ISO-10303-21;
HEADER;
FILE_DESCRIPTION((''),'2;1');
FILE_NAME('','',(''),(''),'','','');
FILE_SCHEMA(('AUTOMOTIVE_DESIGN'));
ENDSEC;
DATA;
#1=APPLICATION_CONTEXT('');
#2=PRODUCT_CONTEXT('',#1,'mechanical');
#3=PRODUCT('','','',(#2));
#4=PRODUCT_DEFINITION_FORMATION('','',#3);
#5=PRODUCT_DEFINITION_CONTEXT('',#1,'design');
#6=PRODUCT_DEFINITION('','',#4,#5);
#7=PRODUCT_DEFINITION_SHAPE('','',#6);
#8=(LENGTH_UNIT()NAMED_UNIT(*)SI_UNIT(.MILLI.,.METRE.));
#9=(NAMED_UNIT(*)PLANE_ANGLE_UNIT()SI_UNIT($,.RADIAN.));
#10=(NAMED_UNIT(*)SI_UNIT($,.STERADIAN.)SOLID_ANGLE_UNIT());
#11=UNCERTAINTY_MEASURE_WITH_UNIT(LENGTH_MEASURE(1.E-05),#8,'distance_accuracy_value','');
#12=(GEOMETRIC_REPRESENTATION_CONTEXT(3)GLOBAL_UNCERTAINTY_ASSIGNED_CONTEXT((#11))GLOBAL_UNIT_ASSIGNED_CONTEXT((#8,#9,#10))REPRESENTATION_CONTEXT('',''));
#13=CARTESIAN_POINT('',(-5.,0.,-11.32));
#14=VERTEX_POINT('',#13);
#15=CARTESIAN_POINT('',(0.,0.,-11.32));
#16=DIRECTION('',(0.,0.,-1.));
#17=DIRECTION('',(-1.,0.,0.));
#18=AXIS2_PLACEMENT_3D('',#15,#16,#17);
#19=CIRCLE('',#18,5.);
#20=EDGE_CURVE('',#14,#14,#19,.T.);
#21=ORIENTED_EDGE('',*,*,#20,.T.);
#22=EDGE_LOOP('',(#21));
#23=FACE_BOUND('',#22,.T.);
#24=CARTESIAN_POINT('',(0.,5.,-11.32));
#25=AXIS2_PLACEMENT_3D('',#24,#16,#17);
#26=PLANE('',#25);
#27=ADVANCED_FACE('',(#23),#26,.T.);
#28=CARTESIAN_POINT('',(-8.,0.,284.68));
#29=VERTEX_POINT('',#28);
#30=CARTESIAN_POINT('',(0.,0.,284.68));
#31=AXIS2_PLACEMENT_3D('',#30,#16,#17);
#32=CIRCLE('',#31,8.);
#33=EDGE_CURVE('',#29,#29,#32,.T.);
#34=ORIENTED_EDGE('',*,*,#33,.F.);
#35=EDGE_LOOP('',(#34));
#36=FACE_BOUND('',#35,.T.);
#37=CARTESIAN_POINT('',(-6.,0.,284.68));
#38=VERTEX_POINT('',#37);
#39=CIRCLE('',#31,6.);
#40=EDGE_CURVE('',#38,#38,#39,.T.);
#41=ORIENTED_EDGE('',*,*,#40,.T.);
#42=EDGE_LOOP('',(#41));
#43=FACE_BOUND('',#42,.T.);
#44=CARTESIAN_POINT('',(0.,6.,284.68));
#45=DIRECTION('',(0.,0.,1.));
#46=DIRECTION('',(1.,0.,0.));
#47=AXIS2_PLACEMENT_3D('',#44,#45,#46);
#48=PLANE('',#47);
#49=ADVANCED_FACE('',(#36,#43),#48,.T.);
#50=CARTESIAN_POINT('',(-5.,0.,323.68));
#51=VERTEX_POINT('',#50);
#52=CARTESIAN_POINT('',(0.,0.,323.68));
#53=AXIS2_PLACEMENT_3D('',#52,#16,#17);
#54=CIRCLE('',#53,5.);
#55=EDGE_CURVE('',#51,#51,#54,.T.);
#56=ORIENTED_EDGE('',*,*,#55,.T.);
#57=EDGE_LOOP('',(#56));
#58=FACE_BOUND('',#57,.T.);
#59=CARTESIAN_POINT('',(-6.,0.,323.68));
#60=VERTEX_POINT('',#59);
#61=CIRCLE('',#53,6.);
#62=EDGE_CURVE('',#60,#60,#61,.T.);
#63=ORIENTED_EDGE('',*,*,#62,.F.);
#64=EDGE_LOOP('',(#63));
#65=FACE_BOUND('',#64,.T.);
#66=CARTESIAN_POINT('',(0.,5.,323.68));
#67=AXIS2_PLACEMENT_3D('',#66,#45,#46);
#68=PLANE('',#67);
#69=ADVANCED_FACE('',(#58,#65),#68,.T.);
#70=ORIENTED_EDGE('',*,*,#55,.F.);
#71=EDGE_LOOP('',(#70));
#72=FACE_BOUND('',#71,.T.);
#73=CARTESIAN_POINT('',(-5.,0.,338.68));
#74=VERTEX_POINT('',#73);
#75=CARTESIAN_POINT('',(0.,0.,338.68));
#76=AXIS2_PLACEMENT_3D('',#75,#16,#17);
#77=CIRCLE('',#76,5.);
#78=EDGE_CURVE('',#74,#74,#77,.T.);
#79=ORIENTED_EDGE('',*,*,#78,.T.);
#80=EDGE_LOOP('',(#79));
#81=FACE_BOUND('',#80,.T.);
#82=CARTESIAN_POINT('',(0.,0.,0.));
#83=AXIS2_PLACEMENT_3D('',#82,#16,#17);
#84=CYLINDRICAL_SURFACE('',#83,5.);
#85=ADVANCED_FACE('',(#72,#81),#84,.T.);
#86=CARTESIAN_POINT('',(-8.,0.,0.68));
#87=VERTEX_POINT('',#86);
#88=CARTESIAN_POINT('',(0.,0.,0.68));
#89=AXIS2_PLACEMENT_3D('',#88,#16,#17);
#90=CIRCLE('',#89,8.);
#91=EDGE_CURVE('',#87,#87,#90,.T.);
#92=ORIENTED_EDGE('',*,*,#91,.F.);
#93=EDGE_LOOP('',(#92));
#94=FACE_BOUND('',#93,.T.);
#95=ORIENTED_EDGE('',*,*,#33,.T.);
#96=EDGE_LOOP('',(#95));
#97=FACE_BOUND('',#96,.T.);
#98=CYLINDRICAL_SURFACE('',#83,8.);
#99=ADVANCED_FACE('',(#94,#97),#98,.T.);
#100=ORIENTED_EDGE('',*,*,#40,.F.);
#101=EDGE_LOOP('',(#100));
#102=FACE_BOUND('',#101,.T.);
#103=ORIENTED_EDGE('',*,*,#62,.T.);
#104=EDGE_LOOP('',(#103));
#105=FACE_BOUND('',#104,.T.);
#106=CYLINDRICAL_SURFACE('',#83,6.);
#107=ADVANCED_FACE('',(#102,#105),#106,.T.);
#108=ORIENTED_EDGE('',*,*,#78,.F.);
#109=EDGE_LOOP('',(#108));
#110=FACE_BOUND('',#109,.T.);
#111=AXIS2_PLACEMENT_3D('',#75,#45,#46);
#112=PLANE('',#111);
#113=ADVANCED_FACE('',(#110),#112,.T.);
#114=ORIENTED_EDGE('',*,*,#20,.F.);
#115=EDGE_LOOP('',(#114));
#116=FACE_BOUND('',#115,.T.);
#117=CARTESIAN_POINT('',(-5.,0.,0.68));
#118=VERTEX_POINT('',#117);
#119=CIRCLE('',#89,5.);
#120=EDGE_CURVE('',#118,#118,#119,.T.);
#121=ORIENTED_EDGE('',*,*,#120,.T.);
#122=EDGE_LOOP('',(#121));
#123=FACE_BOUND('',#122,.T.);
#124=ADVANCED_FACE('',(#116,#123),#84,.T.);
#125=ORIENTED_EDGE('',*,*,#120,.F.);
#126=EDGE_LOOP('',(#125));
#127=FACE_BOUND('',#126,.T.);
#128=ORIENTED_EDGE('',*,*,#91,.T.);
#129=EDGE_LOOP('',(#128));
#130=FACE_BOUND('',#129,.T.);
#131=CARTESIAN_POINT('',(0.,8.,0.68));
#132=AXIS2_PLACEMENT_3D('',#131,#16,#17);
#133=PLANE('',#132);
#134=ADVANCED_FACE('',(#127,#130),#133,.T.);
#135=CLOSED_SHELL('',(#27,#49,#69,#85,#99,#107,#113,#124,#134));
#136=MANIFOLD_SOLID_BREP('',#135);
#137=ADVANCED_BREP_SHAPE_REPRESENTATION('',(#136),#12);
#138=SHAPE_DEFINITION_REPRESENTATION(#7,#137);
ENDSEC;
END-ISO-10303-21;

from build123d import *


with BuildPart() as part:
    # Sketch1 → Revolve1 (revolve)
    with BuildSketch(Plane(origin=(0, 0, 0), x_dir=(0, 0, -1), z_dir=(1, 0, 0))):
        Polygon((-338.68, 0), (-338.68, 5), (-323.68, 5), (-323.68, 6), (-284.68, 6), (-284.68, 8), (-0.68, 8), (-0.68, 5), (11.32, 5), (11.32, 0), align=None)
    revolve(axis=Axis((0, 0, 0), (0, 0, 1)))


solid = part.part
